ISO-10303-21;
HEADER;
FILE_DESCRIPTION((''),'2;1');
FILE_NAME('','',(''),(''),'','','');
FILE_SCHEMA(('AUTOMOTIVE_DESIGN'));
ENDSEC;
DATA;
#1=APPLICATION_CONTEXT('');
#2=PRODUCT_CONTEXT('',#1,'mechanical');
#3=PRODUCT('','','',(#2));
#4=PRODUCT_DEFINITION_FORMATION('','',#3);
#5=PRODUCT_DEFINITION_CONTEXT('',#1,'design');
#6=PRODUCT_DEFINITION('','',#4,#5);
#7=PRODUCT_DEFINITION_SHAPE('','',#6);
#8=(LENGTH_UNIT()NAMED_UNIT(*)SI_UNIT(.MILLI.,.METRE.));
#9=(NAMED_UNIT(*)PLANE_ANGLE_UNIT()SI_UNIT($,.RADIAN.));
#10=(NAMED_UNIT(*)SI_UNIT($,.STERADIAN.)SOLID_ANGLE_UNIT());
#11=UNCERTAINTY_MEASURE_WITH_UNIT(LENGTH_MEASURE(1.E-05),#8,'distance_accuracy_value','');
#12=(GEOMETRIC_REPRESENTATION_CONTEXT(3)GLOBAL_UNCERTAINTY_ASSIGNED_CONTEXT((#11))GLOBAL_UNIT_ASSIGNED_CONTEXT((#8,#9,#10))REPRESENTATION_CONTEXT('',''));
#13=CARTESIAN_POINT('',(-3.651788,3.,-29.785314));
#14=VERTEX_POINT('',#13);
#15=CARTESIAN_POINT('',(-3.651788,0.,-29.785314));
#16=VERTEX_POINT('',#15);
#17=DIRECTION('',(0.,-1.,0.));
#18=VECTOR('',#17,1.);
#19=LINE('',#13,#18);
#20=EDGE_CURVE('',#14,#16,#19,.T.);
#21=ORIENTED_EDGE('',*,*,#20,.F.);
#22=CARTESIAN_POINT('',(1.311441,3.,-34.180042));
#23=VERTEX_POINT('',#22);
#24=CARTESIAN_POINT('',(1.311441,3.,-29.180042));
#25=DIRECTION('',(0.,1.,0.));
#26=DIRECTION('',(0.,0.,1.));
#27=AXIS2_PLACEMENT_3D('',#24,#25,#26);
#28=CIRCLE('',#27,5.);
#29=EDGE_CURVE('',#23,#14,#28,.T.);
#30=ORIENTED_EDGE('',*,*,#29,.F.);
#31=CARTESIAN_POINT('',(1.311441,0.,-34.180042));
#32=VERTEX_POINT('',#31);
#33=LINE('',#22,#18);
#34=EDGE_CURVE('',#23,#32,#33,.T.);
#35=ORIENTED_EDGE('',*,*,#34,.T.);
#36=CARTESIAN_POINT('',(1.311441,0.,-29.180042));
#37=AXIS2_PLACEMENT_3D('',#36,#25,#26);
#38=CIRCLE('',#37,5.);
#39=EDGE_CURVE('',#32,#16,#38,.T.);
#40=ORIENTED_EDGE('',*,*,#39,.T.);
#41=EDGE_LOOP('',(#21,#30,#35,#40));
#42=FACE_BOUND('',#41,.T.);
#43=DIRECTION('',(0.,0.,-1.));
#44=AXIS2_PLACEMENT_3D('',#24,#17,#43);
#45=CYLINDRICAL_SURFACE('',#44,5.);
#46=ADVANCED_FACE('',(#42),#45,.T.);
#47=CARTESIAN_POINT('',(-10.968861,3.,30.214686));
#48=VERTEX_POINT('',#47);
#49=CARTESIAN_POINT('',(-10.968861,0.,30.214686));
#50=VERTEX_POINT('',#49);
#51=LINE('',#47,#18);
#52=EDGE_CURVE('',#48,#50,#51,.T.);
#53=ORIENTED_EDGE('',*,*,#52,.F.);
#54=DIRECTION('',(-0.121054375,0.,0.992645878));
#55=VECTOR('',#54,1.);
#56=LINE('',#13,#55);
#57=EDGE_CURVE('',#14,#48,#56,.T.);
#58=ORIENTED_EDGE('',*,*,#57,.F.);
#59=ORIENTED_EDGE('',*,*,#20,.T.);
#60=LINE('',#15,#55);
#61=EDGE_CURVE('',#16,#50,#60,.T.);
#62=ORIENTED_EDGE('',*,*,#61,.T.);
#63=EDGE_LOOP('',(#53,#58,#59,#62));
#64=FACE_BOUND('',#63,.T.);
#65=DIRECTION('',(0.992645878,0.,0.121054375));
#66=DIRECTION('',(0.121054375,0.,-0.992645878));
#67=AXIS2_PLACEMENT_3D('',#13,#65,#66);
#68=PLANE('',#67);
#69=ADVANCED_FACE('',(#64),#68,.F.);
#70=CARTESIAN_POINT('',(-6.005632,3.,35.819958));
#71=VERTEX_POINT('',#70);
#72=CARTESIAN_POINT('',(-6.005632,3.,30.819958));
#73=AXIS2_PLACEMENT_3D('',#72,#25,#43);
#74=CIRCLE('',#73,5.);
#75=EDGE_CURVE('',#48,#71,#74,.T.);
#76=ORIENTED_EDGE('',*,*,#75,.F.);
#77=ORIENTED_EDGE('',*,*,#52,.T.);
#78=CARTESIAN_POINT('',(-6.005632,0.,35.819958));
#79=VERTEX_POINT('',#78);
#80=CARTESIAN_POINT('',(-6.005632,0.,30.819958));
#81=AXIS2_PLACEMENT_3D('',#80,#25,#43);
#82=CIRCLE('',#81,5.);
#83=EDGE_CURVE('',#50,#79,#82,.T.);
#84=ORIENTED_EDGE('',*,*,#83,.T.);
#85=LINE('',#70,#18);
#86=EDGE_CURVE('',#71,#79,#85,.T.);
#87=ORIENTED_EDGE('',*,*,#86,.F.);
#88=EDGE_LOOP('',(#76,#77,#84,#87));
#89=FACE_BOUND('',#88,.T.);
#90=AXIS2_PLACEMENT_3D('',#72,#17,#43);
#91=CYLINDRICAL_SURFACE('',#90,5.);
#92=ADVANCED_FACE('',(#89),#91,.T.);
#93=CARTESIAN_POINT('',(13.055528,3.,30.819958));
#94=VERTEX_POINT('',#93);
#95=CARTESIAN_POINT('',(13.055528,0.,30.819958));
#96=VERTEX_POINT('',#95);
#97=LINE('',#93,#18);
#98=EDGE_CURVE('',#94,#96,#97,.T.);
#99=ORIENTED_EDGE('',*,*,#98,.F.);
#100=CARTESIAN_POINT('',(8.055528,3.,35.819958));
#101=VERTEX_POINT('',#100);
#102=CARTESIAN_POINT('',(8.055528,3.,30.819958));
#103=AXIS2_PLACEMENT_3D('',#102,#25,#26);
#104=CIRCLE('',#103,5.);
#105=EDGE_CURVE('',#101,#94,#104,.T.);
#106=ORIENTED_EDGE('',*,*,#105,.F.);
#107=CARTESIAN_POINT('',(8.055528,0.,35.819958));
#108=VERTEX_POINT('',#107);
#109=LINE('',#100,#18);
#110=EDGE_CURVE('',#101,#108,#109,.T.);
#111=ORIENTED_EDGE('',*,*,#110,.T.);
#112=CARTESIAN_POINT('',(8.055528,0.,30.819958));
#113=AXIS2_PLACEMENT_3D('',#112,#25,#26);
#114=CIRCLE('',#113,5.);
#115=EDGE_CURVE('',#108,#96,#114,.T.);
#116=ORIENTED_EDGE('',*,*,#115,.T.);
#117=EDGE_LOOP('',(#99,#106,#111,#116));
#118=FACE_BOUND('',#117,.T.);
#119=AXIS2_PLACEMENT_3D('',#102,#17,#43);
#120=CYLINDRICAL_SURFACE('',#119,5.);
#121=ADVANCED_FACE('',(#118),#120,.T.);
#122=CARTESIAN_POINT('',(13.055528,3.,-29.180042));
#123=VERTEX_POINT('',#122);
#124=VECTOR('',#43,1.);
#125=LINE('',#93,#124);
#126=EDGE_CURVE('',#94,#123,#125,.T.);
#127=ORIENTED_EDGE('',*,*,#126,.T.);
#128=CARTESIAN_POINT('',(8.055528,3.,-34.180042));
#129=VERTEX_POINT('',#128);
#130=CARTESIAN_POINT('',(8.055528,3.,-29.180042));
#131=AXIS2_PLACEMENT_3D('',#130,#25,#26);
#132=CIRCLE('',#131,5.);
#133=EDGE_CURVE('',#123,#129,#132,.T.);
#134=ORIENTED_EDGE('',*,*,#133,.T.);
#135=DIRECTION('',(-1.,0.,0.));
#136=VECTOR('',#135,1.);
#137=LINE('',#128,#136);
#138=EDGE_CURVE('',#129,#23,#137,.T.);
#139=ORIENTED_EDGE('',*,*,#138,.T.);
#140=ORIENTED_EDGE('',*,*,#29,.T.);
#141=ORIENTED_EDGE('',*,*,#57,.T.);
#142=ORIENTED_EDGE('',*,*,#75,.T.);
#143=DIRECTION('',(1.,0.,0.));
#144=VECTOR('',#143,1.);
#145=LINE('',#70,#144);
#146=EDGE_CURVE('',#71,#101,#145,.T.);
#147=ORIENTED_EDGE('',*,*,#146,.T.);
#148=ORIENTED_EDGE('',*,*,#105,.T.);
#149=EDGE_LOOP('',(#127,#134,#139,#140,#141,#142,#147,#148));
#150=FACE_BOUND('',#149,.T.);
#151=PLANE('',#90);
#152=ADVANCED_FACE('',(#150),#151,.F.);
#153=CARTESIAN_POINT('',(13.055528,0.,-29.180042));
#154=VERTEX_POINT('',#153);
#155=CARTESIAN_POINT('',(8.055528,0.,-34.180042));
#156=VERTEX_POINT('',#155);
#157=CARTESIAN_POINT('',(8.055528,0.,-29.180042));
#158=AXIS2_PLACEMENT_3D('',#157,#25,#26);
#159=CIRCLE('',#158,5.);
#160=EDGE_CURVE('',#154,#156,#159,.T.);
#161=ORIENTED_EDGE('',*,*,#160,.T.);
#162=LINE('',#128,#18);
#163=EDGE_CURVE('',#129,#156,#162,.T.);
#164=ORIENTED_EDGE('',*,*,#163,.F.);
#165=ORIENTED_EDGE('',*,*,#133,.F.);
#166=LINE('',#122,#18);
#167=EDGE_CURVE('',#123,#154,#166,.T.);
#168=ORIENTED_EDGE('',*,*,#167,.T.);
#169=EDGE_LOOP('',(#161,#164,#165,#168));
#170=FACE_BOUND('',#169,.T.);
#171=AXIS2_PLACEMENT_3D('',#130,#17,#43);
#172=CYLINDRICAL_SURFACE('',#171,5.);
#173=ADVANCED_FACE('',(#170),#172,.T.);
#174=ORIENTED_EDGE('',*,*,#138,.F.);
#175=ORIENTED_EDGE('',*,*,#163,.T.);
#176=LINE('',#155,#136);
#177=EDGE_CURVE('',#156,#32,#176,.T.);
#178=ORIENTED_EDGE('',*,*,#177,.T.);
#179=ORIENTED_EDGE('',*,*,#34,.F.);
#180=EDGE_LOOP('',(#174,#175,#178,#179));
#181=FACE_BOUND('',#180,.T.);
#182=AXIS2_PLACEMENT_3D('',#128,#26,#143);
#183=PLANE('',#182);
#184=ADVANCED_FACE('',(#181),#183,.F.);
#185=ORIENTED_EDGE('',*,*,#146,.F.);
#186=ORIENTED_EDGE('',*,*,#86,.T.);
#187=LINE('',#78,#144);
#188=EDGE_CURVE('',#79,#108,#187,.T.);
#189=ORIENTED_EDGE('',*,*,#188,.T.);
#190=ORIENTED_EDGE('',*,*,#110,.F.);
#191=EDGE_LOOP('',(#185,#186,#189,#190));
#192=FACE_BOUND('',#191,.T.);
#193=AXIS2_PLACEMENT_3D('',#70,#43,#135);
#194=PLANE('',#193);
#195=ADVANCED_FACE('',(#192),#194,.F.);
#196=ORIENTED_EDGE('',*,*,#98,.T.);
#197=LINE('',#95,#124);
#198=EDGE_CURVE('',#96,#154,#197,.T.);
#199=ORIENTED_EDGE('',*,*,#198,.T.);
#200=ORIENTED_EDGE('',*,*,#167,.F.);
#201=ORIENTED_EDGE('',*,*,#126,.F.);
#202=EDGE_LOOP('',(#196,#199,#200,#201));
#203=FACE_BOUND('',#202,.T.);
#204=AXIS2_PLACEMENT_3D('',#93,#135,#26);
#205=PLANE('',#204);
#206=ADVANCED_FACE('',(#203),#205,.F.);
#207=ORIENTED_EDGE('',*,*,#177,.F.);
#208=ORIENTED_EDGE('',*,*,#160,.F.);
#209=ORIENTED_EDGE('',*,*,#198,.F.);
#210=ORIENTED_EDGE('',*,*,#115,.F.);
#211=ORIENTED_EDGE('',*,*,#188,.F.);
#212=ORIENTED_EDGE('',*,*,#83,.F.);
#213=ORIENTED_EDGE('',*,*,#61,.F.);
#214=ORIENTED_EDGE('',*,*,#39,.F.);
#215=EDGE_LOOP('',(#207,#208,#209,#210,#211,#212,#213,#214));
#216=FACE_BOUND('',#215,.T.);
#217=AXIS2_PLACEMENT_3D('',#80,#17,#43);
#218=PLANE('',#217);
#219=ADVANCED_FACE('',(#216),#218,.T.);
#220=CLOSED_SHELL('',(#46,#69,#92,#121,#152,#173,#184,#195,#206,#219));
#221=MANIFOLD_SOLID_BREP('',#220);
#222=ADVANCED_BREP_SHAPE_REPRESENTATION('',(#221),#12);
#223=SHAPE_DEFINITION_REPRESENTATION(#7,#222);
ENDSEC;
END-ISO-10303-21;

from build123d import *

# Parameters (mm, degrees)
BOSS_EXTRUDE1_DEPTH = 3


with BuildPart() as part:
    # Sketch1 → Boss-Extrude1 (new body)
    with BuildSketch(Plane(origin=(0, 0, 0), x_dir=(1, 0, 0), z_dir=(0, 1, 0))):
        with BuildLine():
            Line((-3.651788018, 29.785313531), (-10.968861189, -30.214686469))
            ThreePointArc((-10.968861189, -30.214686469), (-9.749049984, -34.134595628), (-6.005631801, -35.819958346))
            Line((-6.005631801, -35.819958346), (8.055527666, -35.819958346))
            ThreePointArc((8.055527666, -35.819958346), (11.591061572, -34.355492252), (13.055527666, -30.819958346))
            Line((13.055527666, -30.819958346), (13.055527666, 29.180041654))
            ThreePointArc((13.055527666, 29.180041654), (11.591061572, 32.71557556), (8.055527666, 34.180041654))
            Line((8.055527666, 34.180041654), (1.31144137, 34.180041654))
            ThreePointArc((1.31144137, 34.180041654), (-2.003195912, 32.923459837), (-3.651788018, 29.785313531))
        make_face()
    extrude(amount=BOSS_EXTRUDE1_DEPTH)


solid = part.part
